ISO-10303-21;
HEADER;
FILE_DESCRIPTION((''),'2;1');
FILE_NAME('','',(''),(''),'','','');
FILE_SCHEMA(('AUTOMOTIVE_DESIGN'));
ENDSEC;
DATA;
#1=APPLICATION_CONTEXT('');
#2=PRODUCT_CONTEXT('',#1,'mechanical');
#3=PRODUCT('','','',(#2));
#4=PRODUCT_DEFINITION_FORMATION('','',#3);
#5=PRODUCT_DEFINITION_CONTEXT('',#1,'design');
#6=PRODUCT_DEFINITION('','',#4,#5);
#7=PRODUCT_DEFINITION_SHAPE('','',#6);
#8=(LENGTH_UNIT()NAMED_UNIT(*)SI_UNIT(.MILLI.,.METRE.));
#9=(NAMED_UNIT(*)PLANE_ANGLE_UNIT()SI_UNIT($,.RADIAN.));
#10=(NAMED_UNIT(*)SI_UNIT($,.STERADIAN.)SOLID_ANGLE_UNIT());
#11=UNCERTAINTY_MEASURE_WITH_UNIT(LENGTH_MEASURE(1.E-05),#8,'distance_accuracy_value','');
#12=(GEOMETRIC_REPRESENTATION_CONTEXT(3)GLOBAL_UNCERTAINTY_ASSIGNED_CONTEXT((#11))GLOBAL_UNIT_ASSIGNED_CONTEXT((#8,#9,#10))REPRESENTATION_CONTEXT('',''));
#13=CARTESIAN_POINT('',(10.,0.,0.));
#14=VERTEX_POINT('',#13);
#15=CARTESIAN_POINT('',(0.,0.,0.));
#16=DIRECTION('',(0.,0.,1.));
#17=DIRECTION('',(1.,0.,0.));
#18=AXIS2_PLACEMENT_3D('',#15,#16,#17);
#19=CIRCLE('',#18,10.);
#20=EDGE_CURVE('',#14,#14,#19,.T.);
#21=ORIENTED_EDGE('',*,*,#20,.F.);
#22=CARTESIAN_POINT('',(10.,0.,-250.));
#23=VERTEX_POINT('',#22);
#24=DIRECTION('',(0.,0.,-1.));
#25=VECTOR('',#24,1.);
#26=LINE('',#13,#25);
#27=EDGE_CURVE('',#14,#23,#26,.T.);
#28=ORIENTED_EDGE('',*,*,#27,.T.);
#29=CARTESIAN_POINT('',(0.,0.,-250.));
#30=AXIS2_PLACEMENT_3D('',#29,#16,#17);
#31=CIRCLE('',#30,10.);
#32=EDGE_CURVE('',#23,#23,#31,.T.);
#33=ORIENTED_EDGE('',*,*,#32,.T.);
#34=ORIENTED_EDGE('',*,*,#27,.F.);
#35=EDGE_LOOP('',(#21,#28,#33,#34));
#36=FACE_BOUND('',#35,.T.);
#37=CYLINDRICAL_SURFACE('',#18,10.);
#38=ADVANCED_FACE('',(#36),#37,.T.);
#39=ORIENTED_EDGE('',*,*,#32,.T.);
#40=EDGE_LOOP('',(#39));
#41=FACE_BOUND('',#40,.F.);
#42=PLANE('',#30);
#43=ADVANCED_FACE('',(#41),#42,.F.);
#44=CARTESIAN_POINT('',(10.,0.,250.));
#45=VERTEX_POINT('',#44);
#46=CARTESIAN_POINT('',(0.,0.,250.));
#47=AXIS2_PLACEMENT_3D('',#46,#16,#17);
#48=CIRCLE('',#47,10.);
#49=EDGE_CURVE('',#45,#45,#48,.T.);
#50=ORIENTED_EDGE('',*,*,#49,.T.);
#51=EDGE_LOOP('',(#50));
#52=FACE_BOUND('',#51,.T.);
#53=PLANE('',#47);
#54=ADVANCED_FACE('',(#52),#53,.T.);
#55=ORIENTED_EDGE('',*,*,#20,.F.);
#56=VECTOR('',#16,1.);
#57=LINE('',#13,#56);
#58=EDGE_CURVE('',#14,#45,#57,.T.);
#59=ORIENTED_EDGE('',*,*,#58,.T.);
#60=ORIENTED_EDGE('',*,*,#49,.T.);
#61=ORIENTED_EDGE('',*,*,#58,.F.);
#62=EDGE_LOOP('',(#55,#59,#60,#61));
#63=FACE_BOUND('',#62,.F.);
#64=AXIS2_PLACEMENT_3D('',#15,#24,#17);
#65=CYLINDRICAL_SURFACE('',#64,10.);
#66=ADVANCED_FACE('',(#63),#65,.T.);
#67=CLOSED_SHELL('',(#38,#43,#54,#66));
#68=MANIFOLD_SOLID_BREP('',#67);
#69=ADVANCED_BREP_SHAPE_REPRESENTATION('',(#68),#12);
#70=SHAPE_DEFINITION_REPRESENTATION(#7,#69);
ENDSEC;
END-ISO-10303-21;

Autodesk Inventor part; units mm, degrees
ref_plane "YZ Plane" through (0, 0, 0) normal (1, 0, 0) x (0, 1, 0)
ref_plane "XZ Plane" through (0, 0, 0) normal (0, 1, 0) x (-1, 0, 0)
ref_plane "XY Plane" through (0, 0, 0) normal (0, 0, 1) x (1, 0, 0)
sketch "Sketch1" plane through (0, 0, 0) normal (0, 0, 1) x (1, 0, 0)
  circle A0 centre (0, 0) radius 10
  dimension "d0" = 20
extrude "Extrusion1" add sketch "Sketch1" along normal mid plane 500
properties part number "as"
